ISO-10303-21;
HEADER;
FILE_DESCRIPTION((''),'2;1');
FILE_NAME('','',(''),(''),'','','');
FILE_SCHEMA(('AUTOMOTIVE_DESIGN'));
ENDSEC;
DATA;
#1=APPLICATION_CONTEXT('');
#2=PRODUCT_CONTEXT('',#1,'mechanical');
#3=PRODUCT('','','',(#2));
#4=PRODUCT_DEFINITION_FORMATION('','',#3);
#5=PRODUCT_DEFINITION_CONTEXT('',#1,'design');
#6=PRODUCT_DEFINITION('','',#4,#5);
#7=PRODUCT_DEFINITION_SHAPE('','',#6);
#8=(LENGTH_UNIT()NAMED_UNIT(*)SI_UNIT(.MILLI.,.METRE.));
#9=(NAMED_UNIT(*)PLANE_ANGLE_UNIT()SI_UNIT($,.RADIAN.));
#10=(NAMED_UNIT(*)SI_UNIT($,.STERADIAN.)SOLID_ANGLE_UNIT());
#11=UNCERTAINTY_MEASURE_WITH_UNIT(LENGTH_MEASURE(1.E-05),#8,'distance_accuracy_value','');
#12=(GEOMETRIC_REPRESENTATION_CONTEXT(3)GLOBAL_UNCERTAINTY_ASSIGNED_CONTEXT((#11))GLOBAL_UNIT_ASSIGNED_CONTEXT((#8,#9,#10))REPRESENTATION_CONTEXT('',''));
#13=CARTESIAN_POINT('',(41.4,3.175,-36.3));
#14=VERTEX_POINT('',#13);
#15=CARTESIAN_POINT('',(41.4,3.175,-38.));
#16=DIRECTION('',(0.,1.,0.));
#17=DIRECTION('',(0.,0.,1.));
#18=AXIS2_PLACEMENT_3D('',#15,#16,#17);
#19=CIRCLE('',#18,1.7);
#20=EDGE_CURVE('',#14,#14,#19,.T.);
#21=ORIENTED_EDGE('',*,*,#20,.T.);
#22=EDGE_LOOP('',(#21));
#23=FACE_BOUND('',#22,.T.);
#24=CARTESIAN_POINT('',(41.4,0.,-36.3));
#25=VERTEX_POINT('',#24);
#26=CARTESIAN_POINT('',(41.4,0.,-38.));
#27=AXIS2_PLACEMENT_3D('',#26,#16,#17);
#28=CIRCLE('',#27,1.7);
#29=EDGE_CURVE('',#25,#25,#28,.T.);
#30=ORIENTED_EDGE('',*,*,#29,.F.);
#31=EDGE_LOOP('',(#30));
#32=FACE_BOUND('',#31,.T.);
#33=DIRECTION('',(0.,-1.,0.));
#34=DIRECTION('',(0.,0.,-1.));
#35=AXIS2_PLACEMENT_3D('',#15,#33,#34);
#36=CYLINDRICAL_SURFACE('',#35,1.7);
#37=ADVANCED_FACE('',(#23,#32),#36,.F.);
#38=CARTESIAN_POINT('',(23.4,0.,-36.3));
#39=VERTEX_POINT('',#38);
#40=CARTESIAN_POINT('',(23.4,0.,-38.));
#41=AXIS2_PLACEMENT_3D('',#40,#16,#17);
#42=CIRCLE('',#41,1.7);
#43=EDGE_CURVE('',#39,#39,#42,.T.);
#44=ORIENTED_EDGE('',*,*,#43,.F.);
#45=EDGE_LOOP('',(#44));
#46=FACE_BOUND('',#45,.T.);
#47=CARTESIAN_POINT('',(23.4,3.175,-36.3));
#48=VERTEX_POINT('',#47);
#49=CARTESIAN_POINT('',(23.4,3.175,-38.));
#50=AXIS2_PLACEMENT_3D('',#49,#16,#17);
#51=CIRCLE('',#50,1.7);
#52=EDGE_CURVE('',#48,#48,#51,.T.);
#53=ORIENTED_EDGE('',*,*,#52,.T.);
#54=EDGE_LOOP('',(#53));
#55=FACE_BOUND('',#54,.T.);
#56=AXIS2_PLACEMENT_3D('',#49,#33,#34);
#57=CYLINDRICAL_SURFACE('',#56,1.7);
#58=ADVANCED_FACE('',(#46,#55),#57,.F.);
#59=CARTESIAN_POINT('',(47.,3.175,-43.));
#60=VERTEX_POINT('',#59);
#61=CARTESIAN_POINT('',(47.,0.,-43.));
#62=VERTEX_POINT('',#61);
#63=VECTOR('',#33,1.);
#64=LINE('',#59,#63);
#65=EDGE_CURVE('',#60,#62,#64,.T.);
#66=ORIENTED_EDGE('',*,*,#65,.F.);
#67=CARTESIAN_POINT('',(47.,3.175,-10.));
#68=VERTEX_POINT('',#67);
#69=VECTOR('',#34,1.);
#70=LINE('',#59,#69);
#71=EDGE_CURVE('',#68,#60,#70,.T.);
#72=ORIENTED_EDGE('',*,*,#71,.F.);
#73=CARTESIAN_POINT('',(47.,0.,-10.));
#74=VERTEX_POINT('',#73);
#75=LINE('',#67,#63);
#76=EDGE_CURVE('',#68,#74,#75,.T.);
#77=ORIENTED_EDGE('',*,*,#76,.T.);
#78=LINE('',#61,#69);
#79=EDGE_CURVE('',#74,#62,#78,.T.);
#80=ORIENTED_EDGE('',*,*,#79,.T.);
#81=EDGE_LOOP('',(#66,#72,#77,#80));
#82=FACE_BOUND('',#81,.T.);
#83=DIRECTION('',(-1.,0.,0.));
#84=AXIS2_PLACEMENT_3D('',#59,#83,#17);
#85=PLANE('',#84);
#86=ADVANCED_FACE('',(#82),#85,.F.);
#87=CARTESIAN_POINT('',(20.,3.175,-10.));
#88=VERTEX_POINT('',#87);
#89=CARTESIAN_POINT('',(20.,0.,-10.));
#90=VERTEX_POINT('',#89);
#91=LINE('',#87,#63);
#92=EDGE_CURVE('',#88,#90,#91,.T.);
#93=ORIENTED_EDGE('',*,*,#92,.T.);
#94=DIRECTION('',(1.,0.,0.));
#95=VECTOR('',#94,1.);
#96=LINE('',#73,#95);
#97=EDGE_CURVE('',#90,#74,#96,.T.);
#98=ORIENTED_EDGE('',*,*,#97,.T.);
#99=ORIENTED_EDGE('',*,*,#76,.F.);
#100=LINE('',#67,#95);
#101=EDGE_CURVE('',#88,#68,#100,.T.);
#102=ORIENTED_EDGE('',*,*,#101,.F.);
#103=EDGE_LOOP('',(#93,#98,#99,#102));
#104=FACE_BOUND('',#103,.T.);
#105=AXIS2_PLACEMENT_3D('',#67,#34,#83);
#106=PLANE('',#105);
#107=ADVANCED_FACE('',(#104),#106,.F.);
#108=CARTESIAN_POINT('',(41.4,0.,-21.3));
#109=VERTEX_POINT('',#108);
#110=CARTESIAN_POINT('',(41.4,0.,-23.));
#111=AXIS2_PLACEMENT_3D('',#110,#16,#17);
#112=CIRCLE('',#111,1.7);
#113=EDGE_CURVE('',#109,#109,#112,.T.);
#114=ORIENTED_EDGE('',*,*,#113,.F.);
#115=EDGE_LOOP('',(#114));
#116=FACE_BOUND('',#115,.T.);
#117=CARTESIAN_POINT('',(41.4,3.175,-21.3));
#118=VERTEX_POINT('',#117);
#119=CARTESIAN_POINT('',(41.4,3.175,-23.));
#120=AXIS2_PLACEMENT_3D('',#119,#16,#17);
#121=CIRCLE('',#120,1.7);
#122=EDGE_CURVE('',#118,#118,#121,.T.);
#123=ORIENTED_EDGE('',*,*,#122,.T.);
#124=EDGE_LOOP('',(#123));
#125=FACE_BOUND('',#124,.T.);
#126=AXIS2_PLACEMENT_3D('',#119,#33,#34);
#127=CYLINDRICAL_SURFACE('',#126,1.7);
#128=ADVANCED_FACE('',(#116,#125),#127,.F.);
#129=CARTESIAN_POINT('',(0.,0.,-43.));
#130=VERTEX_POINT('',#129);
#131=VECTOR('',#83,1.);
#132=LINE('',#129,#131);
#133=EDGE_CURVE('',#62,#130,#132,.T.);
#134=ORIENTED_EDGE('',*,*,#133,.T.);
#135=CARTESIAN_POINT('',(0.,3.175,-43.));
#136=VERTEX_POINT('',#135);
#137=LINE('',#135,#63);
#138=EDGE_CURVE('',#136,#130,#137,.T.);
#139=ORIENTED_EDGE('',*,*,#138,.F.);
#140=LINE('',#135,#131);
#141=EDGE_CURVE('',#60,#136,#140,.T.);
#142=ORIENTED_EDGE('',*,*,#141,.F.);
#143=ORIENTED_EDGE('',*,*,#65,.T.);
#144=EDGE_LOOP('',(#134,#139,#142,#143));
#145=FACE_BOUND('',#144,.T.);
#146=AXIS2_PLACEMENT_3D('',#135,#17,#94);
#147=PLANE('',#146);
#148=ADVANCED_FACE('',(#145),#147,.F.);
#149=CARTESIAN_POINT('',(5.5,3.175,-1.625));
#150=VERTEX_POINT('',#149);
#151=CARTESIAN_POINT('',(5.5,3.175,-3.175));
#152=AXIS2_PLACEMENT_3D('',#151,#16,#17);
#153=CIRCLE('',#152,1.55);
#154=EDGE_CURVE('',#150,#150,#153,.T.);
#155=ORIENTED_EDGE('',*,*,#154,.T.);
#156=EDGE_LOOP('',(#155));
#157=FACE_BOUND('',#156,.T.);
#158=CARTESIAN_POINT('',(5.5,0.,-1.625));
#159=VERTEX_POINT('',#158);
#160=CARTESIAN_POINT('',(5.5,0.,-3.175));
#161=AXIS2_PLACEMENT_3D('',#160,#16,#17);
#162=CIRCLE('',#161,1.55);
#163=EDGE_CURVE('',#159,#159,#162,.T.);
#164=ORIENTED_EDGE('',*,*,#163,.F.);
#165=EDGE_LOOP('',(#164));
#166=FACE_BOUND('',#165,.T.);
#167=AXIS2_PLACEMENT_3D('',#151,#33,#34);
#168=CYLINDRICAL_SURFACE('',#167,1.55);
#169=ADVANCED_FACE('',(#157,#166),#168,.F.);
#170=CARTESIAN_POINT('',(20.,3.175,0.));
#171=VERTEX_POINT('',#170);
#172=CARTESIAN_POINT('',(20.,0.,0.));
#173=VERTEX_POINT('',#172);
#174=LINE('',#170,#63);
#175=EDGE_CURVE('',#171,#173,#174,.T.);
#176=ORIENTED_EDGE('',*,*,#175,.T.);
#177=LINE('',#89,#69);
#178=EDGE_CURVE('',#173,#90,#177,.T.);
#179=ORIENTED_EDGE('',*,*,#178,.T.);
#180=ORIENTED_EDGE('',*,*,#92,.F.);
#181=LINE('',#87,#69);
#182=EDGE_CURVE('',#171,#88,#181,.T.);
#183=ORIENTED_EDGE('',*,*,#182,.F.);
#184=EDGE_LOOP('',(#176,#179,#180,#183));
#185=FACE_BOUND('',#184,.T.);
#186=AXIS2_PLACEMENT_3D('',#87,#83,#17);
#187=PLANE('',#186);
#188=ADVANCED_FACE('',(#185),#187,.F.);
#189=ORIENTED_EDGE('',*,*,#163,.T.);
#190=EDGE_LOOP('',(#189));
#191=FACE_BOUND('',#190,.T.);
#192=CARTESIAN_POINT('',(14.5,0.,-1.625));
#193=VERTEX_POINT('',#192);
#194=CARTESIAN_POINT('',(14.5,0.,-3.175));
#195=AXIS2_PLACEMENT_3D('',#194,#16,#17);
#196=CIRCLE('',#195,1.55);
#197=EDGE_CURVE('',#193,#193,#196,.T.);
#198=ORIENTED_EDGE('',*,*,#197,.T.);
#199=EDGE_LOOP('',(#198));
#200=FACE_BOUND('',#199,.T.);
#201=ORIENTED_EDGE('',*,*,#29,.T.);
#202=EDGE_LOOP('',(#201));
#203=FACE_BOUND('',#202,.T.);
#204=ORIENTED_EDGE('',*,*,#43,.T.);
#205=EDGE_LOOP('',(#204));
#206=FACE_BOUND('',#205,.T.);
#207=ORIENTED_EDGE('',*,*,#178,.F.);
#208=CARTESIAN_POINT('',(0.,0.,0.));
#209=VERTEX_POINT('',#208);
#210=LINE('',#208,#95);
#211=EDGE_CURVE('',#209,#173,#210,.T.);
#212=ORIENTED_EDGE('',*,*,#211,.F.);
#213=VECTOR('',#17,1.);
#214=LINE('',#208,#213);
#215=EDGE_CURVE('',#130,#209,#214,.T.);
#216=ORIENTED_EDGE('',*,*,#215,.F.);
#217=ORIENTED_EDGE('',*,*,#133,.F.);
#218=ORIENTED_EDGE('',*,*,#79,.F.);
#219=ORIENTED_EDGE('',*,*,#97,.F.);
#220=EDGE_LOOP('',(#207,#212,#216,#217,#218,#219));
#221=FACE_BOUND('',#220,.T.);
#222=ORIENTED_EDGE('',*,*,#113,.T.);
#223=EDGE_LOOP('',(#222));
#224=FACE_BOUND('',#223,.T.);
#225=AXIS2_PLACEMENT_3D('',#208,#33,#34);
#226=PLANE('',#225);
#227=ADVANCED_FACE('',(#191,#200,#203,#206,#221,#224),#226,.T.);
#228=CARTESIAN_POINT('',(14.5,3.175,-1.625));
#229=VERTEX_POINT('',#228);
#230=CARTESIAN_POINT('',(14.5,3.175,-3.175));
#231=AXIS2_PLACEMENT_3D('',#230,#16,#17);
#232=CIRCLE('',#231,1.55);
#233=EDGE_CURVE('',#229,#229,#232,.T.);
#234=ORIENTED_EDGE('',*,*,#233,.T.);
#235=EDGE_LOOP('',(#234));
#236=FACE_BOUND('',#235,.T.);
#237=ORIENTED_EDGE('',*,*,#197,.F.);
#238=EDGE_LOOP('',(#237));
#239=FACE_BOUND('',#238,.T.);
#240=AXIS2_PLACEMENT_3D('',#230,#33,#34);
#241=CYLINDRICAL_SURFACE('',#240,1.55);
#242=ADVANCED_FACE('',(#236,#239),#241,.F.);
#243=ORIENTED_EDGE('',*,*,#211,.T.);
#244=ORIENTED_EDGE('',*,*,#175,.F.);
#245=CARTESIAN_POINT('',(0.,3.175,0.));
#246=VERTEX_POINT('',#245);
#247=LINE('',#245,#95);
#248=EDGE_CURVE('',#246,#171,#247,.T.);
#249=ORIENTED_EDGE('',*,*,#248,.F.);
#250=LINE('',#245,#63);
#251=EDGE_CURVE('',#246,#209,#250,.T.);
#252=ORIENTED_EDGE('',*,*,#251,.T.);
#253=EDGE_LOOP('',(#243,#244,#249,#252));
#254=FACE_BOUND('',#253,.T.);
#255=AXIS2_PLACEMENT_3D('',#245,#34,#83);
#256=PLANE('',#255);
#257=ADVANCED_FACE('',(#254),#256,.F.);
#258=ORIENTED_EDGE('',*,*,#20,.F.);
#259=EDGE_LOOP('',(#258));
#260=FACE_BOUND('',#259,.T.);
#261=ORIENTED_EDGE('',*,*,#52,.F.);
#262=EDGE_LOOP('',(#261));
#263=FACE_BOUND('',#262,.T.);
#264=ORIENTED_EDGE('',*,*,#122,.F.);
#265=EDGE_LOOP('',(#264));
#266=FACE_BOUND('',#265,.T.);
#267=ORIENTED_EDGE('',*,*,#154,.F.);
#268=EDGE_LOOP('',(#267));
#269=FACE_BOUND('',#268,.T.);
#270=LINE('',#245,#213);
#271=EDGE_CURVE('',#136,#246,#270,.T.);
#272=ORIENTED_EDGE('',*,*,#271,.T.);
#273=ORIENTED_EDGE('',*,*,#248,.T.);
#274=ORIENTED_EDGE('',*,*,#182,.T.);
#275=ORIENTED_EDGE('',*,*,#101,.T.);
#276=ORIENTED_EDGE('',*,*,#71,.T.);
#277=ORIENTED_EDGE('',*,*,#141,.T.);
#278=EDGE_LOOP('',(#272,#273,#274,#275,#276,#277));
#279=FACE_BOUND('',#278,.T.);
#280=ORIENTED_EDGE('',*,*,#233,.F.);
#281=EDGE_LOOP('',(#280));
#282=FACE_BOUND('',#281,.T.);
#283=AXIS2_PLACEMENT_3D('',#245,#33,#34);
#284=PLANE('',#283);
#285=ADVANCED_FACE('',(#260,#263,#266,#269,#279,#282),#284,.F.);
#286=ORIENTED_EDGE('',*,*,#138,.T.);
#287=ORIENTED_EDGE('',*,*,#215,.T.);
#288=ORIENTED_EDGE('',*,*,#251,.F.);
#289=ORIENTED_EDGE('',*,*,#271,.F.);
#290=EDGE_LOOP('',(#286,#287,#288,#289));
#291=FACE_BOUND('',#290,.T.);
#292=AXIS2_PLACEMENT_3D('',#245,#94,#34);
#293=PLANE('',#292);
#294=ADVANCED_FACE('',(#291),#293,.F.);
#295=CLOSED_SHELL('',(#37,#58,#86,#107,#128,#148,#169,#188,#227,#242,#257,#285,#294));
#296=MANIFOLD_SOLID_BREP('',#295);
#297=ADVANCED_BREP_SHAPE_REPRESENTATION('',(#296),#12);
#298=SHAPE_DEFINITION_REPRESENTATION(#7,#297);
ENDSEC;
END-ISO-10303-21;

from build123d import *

# Parameters (mm, degrees)
SKETCH1_R           = 1.55
SKETCH1_R_2         = 1.7
BOSS_EXTRUDE1_DEPTH = 3.175


with BuildPart() as part:
    # Sketch1 → Boss-Extrude1 (new body)
    with BuildSketch(Plane(origin=(0, 0, 0), x_dir=(1, 0, 0), z_dir=(0, 1, 0))):
        Polygon((0, 0), (0, 43), (47, 43), (47, 10), (20, 10), (20, 0), align=None)
        with Locations(Location((14.5, 3.175, 0), (0, 0, 270))):
            Circle(SKETCH1_R, mode=Mode.SUBTRACT)
        with Locations(Location((5.5, 3.175, 0), (0, 0, 270))):
            Circle(SKETCH1_R, mode=Mode.SUBTRACT)
        with Locations(Location((41.4, 23, 0), (0, 0, 270))):
            Circle(SKETCH1_R_2, mode=Mode.SUBTRACT)
        with Locations(Location((41.4, 38, 0), (0, 0, 270))):
            Circle(SKETCH1_R_2, mode=Mode.SUBTRACT)
        with Locations(Location((23.4, 38, 0), (0, 0, 270))):
            Circle(SKETCH1_R_2, mode=Mode.SUBTRACT)
    extrude(amount=BOSS_EXTRUDE1_DEPTH)


solid = part.part
